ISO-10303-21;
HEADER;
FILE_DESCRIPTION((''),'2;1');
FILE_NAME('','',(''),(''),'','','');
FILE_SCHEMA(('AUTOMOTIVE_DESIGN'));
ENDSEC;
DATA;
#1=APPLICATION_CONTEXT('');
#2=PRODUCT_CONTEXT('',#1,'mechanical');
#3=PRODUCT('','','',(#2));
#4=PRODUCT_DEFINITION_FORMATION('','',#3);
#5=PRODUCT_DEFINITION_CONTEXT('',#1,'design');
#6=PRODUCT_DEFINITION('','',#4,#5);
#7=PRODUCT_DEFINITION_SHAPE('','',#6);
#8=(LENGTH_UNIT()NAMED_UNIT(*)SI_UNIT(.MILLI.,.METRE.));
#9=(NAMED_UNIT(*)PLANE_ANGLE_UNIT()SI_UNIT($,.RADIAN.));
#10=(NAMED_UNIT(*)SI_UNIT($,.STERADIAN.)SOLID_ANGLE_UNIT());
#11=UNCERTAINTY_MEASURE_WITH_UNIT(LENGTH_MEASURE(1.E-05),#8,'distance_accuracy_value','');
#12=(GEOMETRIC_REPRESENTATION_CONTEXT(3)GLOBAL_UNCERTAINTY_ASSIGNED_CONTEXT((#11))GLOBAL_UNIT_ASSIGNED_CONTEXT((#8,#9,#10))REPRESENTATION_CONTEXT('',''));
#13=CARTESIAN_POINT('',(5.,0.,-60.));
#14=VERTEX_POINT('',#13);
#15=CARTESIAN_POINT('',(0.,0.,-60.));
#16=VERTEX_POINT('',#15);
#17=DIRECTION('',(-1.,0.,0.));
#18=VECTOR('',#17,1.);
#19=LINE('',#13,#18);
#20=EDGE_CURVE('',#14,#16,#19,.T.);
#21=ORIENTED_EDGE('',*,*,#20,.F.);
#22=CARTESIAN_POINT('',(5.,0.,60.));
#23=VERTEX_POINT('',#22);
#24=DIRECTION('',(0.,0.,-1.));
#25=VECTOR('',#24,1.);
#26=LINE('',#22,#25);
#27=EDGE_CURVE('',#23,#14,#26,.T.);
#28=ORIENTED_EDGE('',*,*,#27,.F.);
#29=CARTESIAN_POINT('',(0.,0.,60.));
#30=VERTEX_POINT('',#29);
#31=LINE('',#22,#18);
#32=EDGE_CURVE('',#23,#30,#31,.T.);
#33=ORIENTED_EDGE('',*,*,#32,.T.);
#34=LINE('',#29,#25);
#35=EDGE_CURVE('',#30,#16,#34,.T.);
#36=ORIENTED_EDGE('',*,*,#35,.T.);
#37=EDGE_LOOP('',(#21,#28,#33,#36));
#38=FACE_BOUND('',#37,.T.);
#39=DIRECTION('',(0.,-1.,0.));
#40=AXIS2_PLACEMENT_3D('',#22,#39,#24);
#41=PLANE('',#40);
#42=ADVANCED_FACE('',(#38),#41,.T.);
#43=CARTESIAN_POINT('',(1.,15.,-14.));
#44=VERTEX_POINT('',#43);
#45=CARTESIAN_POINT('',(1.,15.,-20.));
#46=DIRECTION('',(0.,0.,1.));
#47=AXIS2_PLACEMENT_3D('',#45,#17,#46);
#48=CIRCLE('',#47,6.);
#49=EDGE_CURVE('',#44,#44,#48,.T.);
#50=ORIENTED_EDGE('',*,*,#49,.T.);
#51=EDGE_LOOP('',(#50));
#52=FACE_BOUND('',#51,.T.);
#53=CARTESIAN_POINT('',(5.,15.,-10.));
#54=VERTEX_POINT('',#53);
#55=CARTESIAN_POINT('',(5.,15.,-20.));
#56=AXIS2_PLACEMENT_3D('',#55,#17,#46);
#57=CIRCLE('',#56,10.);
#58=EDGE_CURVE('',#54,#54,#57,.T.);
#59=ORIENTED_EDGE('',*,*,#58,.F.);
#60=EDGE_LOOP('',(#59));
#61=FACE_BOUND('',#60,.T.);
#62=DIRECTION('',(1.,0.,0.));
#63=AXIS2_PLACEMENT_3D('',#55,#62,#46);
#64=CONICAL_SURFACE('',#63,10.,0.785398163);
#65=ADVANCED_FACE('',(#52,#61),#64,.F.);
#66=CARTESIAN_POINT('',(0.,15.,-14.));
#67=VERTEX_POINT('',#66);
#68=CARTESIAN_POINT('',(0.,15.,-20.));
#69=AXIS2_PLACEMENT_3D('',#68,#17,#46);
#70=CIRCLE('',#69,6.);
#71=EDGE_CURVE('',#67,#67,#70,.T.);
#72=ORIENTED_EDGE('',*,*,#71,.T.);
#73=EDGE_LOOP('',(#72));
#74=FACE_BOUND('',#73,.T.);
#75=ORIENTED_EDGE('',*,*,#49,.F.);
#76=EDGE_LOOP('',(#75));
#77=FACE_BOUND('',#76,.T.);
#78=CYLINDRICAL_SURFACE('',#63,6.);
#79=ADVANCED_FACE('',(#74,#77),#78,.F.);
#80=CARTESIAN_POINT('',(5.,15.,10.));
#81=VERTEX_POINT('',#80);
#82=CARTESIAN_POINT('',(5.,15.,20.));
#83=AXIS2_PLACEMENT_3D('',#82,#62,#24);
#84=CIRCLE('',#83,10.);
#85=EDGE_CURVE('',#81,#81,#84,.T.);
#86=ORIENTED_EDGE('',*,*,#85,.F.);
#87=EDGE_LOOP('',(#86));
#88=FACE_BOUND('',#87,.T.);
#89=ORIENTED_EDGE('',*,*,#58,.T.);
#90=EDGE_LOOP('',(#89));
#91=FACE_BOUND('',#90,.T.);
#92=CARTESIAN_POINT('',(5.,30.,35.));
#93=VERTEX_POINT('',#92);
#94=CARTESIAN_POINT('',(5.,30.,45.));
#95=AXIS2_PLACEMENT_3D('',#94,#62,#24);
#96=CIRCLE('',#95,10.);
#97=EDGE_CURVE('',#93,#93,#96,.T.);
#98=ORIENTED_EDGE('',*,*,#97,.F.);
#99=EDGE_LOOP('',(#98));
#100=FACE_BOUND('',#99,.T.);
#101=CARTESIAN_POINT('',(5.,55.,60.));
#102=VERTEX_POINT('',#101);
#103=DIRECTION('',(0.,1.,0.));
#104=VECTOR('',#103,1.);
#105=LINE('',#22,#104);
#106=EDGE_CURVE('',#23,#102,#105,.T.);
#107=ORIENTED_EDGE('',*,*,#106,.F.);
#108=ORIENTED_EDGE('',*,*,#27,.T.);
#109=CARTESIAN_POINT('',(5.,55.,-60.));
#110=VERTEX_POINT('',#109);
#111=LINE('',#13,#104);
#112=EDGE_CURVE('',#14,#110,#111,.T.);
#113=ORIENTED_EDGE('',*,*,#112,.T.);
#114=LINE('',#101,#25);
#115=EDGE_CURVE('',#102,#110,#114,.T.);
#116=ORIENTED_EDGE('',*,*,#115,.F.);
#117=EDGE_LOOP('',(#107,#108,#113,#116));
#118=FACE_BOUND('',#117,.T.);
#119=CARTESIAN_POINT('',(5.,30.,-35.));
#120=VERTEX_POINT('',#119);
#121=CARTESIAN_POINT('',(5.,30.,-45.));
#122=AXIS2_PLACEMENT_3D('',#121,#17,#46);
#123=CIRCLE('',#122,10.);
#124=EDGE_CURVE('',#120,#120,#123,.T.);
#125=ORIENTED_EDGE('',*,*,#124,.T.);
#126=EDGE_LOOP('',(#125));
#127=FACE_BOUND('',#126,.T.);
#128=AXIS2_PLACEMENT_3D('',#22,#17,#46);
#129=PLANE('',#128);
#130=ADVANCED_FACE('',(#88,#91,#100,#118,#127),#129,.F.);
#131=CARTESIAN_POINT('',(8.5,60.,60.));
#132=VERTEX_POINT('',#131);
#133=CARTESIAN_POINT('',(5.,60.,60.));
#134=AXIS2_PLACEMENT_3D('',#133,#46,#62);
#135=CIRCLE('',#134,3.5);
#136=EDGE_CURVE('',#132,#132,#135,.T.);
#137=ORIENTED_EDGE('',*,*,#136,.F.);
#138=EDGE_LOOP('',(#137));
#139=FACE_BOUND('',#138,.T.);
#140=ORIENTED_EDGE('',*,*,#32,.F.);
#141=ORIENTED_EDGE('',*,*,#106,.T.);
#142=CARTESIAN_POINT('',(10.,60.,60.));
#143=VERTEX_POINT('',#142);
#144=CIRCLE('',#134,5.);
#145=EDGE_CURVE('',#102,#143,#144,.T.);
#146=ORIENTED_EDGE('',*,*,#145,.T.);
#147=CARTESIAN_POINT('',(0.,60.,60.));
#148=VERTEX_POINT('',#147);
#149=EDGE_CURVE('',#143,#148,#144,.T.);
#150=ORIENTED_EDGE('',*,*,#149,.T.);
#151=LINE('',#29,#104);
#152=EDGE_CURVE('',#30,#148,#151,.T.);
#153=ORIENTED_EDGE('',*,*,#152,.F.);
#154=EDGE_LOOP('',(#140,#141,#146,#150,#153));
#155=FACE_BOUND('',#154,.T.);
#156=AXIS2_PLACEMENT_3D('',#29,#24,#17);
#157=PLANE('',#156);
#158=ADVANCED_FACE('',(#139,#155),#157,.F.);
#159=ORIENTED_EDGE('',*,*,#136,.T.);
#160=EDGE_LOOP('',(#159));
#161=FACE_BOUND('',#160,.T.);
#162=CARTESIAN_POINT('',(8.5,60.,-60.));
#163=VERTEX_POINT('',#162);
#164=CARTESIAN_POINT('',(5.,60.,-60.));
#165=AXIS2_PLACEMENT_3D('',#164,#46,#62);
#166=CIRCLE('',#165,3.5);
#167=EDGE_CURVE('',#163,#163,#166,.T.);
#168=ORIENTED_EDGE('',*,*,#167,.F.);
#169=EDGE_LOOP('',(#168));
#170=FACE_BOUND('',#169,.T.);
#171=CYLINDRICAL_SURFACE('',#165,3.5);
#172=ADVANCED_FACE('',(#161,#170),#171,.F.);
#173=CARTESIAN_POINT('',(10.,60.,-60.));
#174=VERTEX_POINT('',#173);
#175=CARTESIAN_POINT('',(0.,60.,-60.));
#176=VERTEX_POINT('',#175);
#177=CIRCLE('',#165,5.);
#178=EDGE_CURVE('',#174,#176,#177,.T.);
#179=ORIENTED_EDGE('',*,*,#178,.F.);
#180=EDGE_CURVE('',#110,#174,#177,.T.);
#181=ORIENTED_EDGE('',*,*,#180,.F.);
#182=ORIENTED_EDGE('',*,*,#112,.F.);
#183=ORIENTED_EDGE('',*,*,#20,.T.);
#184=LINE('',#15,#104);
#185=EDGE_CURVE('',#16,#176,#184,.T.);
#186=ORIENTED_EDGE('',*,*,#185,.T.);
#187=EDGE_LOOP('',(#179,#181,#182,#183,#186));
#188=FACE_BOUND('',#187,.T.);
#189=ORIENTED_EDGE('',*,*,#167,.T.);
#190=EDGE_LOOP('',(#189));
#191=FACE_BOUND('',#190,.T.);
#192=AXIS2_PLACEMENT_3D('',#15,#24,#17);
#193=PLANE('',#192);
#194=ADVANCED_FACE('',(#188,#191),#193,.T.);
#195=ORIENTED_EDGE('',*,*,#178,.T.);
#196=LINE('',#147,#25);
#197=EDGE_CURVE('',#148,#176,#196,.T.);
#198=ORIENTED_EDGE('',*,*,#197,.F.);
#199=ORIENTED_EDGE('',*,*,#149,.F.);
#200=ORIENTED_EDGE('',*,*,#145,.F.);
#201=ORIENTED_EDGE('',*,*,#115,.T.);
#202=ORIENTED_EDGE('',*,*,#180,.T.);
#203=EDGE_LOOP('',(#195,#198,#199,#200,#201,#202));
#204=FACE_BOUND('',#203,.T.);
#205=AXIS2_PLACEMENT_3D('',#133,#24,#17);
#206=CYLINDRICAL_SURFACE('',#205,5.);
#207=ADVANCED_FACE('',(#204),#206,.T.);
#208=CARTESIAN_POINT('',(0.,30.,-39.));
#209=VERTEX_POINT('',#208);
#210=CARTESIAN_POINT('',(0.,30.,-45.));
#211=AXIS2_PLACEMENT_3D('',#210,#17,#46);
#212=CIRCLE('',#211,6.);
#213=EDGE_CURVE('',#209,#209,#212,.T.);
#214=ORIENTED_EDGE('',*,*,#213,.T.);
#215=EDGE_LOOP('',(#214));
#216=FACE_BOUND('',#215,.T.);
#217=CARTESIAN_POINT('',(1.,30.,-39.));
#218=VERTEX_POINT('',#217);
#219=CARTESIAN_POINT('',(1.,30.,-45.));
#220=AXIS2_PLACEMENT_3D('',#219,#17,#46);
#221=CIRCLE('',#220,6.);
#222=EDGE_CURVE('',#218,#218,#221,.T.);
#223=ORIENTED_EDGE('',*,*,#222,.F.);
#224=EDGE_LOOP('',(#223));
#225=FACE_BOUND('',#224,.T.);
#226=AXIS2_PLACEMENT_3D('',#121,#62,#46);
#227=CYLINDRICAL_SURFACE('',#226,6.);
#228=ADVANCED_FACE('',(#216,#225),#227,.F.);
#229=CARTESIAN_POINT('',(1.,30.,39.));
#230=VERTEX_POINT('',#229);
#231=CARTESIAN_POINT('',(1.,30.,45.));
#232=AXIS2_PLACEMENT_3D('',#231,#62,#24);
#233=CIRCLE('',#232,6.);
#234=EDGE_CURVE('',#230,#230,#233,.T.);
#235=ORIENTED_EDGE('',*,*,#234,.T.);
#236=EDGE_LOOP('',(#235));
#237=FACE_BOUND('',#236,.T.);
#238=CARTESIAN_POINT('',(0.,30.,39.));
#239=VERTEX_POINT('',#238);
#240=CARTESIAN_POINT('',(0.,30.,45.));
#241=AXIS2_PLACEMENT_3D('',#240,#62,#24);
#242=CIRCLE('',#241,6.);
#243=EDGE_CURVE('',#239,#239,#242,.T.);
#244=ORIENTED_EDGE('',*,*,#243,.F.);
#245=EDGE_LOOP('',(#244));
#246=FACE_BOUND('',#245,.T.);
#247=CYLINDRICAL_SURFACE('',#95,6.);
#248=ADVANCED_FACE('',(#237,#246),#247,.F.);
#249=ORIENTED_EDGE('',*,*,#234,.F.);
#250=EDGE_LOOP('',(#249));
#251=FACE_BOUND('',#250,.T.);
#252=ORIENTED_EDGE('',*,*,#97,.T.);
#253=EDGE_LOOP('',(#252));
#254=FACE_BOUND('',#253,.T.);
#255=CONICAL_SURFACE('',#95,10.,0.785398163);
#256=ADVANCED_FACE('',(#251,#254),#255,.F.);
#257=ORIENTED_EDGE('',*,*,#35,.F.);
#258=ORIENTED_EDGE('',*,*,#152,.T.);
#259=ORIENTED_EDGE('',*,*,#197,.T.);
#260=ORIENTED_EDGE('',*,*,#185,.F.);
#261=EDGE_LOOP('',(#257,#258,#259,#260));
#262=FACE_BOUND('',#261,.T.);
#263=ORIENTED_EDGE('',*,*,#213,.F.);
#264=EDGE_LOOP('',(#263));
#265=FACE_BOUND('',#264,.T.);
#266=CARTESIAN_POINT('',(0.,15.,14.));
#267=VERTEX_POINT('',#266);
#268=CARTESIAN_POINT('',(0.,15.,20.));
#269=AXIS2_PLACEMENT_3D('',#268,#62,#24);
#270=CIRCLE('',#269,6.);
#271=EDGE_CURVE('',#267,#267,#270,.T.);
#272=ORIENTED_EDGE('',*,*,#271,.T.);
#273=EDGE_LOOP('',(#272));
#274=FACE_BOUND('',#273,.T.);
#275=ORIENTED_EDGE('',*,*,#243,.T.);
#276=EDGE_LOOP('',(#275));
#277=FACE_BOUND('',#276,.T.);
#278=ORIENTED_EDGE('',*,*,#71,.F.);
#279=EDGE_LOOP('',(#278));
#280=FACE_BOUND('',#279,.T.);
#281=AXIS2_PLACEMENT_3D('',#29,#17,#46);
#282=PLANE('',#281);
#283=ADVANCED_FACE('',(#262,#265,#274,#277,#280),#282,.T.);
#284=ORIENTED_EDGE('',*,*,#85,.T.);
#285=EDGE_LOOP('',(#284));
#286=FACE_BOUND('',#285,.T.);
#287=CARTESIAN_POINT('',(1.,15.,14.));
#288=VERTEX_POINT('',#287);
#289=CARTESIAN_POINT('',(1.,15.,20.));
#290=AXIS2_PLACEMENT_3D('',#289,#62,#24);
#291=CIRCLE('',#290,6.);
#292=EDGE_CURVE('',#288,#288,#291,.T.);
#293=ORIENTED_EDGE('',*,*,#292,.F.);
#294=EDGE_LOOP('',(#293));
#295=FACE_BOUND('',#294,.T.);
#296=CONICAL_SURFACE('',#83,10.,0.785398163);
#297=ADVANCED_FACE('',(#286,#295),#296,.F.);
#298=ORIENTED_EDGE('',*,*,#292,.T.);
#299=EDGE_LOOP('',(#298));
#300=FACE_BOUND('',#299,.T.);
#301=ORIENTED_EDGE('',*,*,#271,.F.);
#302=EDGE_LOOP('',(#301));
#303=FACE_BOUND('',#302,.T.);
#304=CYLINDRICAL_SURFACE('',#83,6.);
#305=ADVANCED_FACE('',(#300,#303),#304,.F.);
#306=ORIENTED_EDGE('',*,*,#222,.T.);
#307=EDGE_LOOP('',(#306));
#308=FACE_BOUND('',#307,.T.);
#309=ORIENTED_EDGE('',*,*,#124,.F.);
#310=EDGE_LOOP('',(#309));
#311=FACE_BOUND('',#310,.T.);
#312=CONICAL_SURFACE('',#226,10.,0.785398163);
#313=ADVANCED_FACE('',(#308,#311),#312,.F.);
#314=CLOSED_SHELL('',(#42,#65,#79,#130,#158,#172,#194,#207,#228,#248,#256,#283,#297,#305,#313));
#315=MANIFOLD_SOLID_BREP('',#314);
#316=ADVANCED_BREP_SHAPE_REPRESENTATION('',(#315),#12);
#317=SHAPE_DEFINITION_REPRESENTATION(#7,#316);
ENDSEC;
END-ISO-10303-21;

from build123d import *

# Parameters (mm, degrees)
SKETCH_1_W                  = 5
SKETCH_1_H                  = 60
EXTRUDE_2_DEPTH             = 60
SKETCH_2_R                  = 5
SKETCH_3_R                  = 3.5
CUT_EXTRUDE_1_DEPTH         = 137.839321834
HOLE_WIZARD_M101_AT_2_COUNT = 2
HOLE_WIZARD_M101_AT_2_PITCH = 29.154759474


with BuildPart() as part:
    # Эскиз1 → Вытянуть-Тонкостенный2 (new, symmetric)
    with BuildSketch(Plane.XY):
        with Locations((2.5, 30)):
            Rectangle(SKETCH_1_W, SKETCH_1_H)
    extrude(amount=EXTRUDE_2_DEPTH, both=True)

    # По траектории1: sweep along a curve in space
    with BuildLine() as sweep_1_path:
        Line((0, 60, 60), (0, 60, -60))
    # Эскиз2 → По траектории1 (sweep)
    with BuildSketch(Plane.XY.offset(60)):
        with Locations((5, 60)):
            Circle(SKETCH_2_R)
    sweep(path=sweep_1_path.line)

    # Эскиз3 → Вырез-Вытянуть1 (cut, through all)
    with BuildSketch(Plane.XY.offset(60)):
        with Locations((5, 60)):
            Circle(SKETCH_3_R)
    extrude(amount=-CUT_EXTRUDE_1_DEPTH, mode=Mode.SUBTRACT)

    # Эскиз8 → Зенковка для  винта с плоской головкой M101 (revolve, cut)
    with BuildSketch(Plane(origin=(5, 30, 45), x_dir=(0, 0, -1), z_dir=(0, 1, 0))):
        Polygon((0, 0), (0, 5), (6, 5), (6, 4), (10, 0), align=None)
    hole_wizard_m101 = revolve(axis=Axis((11.35, 30, 45), (-1, 0, 0)), mode=Mode.SUBTRACT)

    # Зенковка для  винта с плоской головкой M101 at 2: Зенковка для  винта с плоской головкой M101 ×2
    with Locations(*[Vector(0, -0.5144957554275265, -0.8574929257125442) * (i * HOLE_WIZARD_M101_AT_2_PITCH) for i in range(1, HOLE_WIZARD_M101_AT_2_COUNT)]):
        add(hole_wizard_m101, mode=Mode.SUBTRACT)

    # Зеркальное отражение1: Зенковка для  винта с плоской головкой M101 across plane
    add(hole_wizard_m101.mirror(Plane.XY), mode=Mode.SUBTRACT)

    # Зеркальное отражение1 copy 1 sketch → Зеркальное отражение1 copy 1 (revolve, cut)
    with BuildSketch(Plane(origin=(5, 15, -20), x_dir=(0, 0, 1), z_dir=(0, 1, 0))):
        Polygon((0, 0), (0, -5), (6, -5), (6, -4), (10, 0), align=None)
    revolve(axis=Axis((11.35, 15, -20), (1, 0, 0)), mode=Mode.SUBTRACT)


solid = part.part
